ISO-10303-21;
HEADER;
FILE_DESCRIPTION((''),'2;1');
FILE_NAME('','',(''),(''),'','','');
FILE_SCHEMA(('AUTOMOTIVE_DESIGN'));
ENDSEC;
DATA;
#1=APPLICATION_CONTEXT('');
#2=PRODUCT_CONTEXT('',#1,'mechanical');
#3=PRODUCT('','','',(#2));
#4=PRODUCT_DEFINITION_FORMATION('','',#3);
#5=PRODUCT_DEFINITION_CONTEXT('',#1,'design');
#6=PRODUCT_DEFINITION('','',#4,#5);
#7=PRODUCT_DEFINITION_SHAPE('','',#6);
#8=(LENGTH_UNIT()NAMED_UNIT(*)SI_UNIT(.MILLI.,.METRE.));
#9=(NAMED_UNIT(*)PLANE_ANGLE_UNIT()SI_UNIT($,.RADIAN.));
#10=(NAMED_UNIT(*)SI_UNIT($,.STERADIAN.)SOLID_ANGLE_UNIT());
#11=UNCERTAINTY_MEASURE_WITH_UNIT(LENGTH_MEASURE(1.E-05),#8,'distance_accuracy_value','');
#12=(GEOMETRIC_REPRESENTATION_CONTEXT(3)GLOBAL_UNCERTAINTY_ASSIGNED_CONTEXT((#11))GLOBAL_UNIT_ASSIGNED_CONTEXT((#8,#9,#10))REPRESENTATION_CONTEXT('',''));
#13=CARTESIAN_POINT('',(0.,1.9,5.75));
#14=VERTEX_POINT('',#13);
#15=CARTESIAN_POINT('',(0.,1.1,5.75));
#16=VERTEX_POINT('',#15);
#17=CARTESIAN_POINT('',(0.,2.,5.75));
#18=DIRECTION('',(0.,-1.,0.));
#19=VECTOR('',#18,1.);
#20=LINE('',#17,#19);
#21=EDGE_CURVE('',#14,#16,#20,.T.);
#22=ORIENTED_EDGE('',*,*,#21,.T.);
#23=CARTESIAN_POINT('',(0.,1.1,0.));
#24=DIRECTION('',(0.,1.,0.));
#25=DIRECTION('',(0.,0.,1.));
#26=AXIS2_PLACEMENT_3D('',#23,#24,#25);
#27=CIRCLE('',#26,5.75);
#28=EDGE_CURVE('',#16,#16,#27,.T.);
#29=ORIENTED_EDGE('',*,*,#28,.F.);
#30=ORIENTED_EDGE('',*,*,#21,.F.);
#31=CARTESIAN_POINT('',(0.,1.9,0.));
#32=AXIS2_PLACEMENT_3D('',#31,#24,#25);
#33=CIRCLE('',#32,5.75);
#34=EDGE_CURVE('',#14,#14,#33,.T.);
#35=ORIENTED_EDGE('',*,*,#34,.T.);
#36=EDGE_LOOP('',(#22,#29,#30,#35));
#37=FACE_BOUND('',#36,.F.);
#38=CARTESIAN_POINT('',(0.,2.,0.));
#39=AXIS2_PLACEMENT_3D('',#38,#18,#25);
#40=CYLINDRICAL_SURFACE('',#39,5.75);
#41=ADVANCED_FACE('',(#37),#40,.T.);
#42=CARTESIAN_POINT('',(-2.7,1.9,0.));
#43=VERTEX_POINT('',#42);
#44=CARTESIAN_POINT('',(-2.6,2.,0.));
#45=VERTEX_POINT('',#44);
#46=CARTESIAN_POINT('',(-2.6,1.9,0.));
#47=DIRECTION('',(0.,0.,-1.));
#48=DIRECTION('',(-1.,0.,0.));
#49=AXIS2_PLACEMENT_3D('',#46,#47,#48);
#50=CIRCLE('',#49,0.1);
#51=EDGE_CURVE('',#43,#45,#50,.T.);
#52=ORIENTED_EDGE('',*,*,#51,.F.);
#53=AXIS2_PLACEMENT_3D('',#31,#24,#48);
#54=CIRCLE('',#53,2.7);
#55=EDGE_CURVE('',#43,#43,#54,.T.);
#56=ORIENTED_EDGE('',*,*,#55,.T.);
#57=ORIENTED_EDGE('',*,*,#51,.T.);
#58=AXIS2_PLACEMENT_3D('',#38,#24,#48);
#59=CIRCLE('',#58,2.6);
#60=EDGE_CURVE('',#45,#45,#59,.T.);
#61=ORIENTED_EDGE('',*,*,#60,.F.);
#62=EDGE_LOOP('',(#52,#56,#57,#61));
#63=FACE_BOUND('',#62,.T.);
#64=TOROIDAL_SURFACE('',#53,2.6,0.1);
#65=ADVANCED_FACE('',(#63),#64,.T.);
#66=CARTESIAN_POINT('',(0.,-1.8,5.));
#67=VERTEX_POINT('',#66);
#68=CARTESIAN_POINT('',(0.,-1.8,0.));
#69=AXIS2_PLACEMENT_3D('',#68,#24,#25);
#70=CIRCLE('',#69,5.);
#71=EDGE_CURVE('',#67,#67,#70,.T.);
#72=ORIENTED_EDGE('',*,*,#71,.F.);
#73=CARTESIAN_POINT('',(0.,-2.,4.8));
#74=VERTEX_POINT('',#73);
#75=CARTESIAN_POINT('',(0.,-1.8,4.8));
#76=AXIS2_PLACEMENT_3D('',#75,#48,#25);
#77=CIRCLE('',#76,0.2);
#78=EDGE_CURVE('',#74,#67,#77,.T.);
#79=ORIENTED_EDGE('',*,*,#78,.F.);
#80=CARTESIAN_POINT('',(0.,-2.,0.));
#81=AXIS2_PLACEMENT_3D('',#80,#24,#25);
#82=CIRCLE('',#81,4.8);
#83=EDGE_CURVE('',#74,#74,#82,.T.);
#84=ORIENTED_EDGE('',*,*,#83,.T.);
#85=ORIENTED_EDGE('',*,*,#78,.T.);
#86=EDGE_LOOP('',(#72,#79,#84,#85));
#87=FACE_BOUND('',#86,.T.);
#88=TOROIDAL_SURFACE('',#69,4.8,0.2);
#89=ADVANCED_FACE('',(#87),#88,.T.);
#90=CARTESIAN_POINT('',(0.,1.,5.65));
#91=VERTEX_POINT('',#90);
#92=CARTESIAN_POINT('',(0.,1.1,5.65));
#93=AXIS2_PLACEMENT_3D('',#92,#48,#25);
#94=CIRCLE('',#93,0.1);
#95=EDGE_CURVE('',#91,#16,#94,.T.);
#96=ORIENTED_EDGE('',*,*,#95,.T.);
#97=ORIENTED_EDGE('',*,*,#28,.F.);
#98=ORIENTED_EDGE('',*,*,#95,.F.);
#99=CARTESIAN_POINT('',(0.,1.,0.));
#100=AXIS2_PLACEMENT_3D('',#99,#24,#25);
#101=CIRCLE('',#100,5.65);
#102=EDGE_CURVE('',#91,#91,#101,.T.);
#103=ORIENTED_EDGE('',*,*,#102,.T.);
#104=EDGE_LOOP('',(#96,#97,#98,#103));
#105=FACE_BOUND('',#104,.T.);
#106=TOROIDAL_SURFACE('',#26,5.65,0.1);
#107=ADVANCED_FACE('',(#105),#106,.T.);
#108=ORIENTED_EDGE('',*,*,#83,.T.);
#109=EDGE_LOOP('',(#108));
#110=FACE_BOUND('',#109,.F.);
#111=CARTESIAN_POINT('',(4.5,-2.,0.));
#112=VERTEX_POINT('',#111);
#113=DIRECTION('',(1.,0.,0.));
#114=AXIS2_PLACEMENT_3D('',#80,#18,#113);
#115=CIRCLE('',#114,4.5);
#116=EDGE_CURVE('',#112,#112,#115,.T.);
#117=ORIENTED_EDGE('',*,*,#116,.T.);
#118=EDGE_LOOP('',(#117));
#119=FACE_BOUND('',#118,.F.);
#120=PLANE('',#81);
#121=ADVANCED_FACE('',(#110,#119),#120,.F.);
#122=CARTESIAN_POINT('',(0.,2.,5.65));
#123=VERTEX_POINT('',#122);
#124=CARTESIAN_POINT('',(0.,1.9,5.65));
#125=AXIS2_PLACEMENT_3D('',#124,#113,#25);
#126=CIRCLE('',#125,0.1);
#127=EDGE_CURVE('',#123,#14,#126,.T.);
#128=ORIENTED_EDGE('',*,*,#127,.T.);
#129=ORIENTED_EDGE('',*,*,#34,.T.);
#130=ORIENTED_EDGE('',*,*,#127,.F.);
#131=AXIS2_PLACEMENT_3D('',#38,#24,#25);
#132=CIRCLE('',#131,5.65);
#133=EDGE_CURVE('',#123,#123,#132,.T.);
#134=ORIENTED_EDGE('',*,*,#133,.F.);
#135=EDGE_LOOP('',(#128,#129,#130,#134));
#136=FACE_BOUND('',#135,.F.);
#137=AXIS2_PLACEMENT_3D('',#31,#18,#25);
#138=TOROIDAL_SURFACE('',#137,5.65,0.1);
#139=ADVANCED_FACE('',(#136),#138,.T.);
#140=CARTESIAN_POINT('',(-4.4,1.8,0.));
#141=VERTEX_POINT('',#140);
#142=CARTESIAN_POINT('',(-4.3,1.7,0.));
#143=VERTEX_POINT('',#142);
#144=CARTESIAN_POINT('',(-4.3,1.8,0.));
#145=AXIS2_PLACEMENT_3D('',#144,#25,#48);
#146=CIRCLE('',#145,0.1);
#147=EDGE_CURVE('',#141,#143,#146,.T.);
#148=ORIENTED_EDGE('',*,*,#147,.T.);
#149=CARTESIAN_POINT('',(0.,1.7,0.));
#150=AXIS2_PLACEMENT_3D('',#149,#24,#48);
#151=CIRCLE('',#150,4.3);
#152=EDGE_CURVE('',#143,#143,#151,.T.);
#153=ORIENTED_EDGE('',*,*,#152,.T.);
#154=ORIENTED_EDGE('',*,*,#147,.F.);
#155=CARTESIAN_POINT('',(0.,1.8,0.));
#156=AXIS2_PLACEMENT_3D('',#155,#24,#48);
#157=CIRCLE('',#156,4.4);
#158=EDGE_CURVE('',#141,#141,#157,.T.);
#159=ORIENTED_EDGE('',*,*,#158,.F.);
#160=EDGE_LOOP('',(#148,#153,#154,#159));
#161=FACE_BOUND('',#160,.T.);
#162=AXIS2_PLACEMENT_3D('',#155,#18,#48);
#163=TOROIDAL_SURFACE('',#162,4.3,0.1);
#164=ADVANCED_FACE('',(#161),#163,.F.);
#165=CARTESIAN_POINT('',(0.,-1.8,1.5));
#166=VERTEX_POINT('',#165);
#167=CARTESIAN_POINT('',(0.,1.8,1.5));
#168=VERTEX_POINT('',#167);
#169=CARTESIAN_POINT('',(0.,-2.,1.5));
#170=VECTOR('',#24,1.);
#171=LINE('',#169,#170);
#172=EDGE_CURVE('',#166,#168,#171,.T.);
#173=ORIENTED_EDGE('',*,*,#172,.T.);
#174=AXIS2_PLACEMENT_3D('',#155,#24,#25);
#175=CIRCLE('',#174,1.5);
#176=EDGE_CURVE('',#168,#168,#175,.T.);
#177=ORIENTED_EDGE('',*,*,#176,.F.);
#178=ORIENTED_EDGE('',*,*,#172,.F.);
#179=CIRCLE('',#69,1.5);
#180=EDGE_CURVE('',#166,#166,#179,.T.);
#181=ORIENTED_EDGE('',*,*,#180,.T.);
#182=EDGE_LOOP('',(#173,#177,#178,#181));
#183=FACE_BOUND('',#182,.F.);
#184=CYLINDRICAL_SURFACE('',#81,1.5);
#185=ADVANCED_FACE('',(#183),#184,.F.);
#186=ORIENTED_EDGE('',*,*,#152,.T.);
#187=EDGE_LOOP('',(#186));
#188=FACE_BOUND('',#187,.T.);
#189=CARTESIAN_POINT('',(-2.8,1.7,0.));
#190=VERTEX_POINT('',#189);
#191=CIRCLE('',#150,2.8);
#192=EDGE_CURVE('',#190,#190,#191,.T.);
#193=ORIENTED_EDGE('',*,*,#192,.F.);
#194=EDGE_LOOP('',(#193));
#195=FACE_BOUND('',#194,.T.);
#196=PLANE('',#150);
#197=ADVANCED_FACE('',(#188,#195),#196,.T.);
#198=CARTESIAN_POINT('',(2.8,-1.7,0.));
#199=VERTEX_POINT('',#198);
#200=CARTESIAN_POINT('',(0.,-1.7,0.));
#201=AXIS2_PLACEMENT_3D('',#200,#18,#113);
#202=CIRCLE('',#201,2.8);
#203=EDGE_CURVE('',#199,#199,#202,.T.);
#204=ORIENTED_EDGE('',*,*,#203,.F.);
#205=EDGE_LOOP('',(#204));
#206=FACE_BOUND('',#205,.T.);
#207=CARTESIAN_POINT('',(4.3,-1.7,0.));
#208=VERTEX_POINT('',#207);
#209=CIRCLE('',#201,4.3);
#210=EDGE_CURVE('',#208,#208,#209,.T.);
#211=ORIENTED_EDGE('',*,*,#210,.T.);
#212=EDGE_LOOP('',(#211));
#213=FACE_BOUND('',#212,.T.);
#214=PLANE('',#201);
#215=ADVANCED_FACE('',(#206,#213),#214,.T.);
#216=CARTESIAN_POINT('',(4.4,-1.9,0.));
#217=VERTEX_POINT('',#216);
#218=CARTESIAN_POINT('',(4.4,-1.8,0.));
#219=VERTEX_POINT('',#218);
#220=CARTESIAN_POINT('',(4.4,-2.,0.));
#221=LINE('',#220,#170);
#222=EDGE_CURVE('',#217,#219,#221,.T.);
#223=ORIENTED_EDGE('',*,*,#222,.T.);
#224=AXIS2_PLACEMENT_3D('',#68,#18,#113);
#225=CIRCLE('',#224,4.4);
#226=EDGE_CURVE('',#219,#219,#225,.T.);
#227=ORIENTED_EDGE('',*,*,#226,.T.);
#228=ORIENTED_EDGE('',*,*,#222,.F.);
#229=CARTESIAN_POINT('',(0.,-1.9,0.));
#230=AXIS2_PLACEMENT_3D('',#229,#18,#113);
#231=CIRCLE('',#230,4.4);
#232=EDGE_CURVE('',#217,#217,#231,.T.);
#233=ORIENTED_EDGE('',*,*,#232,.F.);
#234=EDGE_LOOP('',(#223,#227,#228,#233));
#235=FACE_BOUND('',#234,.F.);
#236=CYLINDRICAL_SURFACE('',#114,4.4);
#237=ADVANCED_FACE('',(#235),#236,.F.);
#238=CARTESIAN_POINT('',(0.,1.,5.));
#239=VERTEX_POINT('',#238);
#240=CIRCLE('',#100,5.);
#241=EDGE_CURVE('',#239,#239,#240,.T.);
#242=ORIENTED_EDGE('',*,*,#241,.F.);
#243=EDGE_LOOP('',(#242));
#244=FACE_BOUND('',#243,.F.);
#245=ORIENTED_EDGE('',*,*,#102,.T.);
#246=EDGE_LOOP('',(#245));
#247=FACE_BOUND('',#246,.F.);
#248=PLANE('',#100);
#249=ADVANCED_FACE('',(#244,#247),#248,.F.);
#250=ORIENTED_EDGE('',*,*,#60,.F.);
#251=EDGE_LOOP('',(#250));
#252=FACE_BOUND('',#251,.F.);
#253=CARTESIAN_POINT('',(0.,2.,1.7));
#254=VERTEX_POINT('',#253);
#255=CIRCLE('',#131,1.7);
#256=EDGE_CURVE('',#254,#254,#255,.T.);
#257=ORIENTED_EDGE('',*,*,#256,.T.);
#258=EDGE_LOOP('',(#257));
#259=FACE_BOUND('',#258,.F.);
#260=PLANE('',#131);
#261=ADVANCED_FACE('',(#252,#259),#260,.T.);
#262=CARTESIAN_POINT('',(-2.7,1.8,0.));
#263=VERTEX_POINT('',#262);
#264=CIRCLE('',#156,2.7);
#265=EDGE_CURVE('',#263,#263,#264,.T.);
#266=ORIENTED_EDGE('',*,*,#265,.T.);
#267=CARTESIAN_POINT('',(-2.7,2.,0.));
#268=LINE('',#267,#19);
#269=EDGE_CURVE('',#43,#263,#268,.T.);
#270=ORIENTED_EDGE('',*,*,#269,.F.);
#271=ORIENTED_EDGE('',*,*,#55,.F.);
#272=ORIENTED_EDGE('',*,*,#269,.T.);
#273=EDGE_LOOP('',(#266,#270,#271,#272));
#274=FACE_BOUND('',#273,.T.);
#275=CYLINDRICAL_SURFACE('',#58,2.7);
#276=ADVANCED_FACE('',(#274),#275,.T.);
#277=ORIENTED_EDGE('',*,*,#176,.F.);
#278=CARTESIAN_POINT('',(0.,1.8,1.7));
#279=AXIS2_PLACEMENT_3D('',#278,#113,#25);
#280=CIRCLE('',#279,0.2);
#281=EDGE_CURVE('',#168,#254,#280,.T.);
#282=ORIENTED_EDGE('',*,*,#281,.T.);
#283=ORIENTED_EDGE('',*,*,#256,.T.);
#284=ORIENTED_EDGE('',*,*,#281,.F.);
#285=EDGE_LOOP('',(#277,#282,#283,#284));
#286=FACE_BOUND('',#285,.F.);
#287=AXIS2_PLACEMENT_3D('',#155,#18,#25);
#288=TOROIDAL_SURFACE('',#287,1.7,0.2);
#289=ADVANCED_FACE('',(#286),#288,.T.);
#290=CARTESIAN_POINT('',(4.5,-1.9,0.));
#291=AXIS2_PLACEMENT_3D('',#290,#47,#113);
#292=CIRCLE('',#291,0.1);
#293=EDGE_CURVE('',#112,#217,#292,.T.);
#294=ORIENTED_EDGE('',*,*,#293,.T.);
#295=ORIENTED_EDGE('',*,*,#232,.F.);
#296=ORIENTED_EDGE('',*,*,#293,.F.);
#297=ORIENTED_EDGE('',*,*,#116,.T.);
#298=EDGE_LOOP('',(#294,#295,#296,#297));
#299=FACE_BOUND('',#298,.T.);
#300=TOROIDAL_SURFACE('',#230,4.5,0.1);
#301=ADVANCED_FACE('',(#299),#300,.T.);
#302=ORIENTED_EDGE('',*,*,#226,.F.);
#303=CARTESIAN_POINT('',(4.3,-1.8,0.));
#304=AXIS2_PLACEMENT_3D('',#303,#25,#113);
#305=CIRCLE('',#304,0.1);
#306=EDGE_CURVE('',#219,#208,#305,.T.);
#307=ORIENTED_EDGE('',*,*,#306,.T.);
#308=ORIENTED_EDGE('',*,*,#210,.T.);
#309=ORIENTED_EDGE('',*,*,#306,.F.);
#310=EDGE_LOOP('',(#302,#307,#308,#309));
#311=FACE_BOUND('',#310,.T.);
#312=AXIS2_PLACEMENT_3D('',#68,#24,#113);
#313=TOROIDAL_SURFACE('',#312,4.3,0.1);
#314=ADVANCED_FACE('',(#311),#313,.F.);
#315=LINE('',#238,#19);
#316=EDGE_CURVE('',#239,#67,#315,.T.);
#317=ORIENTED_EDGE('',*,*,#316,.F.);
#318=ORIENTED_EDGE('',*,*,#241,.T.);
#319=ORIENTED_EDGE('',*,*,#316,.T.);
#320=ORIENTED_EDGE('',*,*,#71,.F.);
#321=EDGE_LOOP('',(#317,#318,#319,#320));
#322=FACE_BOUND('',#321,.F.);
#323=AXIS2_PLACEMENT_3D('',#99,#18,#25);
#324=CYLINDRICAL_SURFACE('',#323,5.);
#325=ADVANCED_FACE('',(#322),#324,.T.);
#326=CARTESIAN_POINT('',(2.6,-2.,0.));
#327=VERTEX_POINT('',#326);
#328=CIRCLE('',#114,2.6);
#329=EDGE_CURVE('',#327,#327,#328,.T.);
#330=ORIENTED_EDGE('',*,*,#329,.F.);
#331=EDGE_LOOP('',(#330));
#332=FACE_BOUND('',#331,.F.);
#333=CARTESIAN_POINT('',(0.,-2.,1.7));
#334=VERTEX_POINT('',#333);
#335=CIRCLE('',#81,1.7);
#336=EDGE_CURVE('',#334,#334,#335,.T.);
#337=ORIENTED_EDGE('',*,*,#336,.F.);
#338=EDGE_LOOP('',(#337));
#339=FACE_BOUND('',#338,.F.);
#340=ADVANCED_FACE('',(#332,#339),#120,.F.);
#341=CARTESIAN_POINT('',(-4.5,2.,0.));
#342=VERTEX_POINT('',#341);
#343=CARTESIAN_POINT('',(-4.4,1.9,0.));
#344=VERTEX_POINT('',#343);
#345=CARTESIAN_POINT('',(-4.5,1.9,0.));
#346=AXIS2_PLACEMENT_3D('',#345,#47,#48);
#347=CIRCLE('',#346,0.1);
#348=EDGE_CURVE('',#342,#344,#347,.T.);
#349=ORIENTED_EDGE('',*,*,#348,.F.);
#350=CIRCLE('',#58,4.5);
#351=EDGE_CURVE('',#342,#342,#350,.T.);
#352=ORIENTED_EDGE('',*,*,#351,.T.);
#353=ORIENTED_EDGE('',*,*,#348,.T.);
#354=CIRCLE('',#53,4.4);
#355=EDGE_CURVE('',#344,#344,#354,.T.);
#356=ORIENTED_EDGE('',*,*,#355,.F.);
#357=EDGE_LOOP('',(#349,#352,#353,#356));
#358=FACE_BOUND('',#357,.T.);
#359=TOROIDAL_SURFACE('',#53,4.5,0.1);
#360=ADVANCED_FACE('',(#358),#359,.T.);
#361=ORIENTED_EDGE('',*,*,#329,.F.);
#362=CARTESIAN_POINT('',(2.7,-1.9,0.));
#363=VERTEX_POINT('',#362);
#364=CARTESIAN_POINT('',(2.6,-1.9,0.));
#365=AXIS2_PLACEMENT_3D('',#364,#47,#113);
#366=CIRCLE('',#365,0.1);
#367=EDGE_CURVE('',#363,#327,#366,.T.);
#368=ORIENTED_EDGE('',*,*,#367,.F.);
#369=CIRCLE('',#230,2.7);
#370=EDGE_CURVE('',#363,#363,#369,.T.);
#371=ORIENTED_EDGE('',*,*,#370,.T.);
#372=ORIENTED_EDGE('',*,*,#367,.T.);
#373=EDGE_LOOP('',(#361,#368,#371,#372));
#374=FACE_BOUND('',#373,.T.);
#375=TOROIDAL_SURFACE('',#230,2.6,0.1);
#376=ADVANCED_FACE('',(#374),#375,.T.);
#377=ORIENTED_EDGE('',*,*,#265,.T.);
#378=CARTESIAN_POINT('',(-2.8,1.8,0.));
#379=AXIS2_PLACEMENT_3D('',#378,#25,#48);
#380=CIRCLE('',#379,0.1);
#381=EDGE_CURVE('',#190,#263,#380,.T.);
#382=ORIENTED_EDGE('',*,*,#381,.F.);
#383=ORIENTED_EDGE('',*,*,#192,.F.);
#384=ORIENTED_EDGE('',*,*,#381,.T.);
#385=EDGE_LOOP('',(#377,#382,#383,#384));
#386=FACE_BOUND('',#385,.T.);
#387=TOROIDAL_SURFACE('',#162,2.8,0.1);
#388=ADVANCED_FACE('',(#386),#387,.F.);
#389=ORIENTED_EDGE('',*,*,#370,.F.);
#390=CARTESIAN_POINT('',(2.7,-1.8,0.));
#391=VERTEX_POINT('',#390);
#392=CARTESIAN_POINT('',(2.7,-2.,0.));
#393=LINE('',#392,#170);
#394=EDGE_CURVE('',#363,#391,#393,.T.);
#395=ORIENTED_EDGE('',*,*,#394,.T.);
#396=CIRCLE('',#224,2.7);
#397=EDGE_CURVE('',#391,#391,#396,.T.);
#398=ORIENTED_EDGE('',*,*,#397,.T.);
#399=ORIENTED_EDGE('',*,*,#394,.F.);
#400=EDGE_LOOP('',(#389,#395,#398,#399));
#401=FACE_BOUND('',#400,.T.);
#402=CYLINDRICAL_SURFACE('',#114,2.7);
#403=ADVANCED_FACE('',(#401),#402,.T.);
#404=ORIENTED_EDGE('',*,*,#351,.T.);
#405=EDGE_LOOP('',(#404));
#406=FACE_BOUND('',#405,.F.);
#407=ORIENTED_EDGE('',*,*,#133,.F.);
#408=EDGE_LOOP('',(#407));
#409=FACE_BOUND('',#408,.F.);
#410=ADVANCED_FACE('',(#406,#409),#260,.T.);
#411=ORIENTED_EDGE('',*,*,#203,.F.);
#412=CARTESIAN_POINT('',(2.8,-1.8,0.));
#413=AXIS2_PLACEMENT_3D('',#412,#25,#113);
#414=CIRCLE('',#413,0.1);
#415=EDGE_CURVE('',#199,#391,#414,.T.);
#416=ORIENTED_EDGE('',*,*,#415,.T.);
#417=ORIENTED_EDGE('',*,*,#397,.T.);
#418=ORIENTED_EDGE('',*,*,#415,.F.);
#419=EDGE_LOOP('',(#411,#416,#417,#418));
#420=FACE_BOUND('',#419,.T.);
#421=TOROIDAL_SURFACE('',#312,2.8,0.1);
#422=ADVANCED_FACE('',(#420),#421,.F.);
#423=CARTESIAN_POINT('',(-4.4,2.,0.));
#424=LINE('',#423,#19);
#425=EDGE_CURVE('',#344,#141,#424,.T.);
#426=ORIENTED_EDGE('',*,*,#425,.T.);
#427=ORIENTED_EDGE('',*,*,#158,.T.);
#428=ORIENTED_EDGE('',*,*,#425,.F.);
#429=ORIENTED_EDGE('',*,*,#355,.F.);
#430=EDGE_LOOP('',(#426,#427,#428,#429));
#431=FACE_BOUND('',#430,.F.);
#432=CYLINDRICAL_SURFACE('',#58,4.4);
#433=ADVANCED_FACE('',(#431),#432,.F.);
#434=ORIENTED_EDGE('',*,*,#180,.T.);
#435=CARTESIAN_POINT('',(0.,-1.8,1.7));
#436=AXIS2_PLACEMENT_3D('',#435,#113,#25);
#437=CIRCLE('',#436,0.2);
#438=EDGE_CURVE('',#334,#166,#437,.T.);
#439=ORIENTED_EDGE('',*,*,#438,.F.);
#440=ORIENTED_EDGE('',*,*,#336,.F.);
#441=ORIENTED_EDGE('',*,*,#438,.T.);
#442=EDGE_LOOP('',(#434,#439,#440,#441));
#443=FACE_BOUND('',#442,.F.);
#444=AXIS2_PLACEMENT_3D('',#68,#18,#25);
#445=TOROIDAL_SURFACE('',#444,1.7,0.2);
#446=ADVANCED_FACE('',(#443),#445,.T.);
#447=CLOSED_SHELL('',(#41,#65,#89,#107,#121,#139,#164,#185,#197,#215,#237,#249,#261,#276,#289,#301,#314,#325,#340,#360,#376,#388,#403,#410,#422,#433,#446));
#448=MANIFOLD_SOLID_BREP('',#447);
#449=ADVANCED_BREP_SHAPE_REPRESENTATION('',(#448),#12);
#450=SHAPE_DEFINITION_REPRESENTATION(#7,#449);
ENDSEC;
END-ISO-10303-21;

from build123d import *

# Parameters (mm, degrees)
F2_R     = 0.2
F3_R     = 0.1
F4_R     = 4.4
F4_R_2   = 2.7
F5_DEPTH = 0.3
F6_R     = 4.4
F6_R_2   = 2.7
F7_DEPTH = 0.3
F8_R     = 0.1


with BuildPart() as f1:
    # F0 (on Right) → F1 (revolve)
    with BuildSketch(Plane.YZ):
        Polygon((-2, 5), (-2, 1.5), (2, 1.5), (2, 5.75), (1, 5.75), (1, 5), align=None)
    revolve(axis=Axis((0, 3.003132, 0), (0, 1, 0)))

    # F2
    f2_edges = [f1.edges().sort_by_distance(p)[0] for p in [
        (0, -2, -1.5),
        (0, 2, -1.5),
        (0, 0, 1.5),
        (0, -2, -5),
    ]]
    fillet(f2_edges, radius=F2_R)

    # F3
    f3_edges = [f1.edges().sort_by_distance(p)[0] for p in [
        (0, 2, -5.75),
        (0, 1, -5.75),
        (0, 1.5, 5.75),
    ]]
    fillet(f3_edges, radius=F3_R)

    # F4 (on face) → F5 (cut)
    with BuildSketch(Plane(origin=(0, 2, 0), x_dir=(-1, 0, 0), z_dir=(0, 1, 0))):
        Circle(F4_R)
        Circle(F4_R_2, mode=Mode.SUBTRACT)
    extrude(amount=-F5_DEPTH, mode=Mode.SUBTRACT)

    # F6 (on face) → F7 (cut)
    with BuildSketch(Plane.XZ.offset(2)):
        Circle(F6_R)
        Circle(F6_R_2, mode=Mode.SUBTRACT)
    extrude(amount=-F7_DEPTH, mode=Mode.SUBTRACT)

    # F8
    f8_edges = [f1.edges().sort_by_distance(p)[0] for p in [
        (4.4, 1.7, 0),
        (2.7, 1.7, 0),
        (4.4, 2, 0),
        (2.7, 2, 0),
        (-4.4, -1.7, 0),
        (-2.7, -1.7, 0),
        (-4.4, -2, 0),
        (-2.7, -2, 0),
    ]]
    fillet(f8_edges, radius=F8_R)


solid = f1.part
